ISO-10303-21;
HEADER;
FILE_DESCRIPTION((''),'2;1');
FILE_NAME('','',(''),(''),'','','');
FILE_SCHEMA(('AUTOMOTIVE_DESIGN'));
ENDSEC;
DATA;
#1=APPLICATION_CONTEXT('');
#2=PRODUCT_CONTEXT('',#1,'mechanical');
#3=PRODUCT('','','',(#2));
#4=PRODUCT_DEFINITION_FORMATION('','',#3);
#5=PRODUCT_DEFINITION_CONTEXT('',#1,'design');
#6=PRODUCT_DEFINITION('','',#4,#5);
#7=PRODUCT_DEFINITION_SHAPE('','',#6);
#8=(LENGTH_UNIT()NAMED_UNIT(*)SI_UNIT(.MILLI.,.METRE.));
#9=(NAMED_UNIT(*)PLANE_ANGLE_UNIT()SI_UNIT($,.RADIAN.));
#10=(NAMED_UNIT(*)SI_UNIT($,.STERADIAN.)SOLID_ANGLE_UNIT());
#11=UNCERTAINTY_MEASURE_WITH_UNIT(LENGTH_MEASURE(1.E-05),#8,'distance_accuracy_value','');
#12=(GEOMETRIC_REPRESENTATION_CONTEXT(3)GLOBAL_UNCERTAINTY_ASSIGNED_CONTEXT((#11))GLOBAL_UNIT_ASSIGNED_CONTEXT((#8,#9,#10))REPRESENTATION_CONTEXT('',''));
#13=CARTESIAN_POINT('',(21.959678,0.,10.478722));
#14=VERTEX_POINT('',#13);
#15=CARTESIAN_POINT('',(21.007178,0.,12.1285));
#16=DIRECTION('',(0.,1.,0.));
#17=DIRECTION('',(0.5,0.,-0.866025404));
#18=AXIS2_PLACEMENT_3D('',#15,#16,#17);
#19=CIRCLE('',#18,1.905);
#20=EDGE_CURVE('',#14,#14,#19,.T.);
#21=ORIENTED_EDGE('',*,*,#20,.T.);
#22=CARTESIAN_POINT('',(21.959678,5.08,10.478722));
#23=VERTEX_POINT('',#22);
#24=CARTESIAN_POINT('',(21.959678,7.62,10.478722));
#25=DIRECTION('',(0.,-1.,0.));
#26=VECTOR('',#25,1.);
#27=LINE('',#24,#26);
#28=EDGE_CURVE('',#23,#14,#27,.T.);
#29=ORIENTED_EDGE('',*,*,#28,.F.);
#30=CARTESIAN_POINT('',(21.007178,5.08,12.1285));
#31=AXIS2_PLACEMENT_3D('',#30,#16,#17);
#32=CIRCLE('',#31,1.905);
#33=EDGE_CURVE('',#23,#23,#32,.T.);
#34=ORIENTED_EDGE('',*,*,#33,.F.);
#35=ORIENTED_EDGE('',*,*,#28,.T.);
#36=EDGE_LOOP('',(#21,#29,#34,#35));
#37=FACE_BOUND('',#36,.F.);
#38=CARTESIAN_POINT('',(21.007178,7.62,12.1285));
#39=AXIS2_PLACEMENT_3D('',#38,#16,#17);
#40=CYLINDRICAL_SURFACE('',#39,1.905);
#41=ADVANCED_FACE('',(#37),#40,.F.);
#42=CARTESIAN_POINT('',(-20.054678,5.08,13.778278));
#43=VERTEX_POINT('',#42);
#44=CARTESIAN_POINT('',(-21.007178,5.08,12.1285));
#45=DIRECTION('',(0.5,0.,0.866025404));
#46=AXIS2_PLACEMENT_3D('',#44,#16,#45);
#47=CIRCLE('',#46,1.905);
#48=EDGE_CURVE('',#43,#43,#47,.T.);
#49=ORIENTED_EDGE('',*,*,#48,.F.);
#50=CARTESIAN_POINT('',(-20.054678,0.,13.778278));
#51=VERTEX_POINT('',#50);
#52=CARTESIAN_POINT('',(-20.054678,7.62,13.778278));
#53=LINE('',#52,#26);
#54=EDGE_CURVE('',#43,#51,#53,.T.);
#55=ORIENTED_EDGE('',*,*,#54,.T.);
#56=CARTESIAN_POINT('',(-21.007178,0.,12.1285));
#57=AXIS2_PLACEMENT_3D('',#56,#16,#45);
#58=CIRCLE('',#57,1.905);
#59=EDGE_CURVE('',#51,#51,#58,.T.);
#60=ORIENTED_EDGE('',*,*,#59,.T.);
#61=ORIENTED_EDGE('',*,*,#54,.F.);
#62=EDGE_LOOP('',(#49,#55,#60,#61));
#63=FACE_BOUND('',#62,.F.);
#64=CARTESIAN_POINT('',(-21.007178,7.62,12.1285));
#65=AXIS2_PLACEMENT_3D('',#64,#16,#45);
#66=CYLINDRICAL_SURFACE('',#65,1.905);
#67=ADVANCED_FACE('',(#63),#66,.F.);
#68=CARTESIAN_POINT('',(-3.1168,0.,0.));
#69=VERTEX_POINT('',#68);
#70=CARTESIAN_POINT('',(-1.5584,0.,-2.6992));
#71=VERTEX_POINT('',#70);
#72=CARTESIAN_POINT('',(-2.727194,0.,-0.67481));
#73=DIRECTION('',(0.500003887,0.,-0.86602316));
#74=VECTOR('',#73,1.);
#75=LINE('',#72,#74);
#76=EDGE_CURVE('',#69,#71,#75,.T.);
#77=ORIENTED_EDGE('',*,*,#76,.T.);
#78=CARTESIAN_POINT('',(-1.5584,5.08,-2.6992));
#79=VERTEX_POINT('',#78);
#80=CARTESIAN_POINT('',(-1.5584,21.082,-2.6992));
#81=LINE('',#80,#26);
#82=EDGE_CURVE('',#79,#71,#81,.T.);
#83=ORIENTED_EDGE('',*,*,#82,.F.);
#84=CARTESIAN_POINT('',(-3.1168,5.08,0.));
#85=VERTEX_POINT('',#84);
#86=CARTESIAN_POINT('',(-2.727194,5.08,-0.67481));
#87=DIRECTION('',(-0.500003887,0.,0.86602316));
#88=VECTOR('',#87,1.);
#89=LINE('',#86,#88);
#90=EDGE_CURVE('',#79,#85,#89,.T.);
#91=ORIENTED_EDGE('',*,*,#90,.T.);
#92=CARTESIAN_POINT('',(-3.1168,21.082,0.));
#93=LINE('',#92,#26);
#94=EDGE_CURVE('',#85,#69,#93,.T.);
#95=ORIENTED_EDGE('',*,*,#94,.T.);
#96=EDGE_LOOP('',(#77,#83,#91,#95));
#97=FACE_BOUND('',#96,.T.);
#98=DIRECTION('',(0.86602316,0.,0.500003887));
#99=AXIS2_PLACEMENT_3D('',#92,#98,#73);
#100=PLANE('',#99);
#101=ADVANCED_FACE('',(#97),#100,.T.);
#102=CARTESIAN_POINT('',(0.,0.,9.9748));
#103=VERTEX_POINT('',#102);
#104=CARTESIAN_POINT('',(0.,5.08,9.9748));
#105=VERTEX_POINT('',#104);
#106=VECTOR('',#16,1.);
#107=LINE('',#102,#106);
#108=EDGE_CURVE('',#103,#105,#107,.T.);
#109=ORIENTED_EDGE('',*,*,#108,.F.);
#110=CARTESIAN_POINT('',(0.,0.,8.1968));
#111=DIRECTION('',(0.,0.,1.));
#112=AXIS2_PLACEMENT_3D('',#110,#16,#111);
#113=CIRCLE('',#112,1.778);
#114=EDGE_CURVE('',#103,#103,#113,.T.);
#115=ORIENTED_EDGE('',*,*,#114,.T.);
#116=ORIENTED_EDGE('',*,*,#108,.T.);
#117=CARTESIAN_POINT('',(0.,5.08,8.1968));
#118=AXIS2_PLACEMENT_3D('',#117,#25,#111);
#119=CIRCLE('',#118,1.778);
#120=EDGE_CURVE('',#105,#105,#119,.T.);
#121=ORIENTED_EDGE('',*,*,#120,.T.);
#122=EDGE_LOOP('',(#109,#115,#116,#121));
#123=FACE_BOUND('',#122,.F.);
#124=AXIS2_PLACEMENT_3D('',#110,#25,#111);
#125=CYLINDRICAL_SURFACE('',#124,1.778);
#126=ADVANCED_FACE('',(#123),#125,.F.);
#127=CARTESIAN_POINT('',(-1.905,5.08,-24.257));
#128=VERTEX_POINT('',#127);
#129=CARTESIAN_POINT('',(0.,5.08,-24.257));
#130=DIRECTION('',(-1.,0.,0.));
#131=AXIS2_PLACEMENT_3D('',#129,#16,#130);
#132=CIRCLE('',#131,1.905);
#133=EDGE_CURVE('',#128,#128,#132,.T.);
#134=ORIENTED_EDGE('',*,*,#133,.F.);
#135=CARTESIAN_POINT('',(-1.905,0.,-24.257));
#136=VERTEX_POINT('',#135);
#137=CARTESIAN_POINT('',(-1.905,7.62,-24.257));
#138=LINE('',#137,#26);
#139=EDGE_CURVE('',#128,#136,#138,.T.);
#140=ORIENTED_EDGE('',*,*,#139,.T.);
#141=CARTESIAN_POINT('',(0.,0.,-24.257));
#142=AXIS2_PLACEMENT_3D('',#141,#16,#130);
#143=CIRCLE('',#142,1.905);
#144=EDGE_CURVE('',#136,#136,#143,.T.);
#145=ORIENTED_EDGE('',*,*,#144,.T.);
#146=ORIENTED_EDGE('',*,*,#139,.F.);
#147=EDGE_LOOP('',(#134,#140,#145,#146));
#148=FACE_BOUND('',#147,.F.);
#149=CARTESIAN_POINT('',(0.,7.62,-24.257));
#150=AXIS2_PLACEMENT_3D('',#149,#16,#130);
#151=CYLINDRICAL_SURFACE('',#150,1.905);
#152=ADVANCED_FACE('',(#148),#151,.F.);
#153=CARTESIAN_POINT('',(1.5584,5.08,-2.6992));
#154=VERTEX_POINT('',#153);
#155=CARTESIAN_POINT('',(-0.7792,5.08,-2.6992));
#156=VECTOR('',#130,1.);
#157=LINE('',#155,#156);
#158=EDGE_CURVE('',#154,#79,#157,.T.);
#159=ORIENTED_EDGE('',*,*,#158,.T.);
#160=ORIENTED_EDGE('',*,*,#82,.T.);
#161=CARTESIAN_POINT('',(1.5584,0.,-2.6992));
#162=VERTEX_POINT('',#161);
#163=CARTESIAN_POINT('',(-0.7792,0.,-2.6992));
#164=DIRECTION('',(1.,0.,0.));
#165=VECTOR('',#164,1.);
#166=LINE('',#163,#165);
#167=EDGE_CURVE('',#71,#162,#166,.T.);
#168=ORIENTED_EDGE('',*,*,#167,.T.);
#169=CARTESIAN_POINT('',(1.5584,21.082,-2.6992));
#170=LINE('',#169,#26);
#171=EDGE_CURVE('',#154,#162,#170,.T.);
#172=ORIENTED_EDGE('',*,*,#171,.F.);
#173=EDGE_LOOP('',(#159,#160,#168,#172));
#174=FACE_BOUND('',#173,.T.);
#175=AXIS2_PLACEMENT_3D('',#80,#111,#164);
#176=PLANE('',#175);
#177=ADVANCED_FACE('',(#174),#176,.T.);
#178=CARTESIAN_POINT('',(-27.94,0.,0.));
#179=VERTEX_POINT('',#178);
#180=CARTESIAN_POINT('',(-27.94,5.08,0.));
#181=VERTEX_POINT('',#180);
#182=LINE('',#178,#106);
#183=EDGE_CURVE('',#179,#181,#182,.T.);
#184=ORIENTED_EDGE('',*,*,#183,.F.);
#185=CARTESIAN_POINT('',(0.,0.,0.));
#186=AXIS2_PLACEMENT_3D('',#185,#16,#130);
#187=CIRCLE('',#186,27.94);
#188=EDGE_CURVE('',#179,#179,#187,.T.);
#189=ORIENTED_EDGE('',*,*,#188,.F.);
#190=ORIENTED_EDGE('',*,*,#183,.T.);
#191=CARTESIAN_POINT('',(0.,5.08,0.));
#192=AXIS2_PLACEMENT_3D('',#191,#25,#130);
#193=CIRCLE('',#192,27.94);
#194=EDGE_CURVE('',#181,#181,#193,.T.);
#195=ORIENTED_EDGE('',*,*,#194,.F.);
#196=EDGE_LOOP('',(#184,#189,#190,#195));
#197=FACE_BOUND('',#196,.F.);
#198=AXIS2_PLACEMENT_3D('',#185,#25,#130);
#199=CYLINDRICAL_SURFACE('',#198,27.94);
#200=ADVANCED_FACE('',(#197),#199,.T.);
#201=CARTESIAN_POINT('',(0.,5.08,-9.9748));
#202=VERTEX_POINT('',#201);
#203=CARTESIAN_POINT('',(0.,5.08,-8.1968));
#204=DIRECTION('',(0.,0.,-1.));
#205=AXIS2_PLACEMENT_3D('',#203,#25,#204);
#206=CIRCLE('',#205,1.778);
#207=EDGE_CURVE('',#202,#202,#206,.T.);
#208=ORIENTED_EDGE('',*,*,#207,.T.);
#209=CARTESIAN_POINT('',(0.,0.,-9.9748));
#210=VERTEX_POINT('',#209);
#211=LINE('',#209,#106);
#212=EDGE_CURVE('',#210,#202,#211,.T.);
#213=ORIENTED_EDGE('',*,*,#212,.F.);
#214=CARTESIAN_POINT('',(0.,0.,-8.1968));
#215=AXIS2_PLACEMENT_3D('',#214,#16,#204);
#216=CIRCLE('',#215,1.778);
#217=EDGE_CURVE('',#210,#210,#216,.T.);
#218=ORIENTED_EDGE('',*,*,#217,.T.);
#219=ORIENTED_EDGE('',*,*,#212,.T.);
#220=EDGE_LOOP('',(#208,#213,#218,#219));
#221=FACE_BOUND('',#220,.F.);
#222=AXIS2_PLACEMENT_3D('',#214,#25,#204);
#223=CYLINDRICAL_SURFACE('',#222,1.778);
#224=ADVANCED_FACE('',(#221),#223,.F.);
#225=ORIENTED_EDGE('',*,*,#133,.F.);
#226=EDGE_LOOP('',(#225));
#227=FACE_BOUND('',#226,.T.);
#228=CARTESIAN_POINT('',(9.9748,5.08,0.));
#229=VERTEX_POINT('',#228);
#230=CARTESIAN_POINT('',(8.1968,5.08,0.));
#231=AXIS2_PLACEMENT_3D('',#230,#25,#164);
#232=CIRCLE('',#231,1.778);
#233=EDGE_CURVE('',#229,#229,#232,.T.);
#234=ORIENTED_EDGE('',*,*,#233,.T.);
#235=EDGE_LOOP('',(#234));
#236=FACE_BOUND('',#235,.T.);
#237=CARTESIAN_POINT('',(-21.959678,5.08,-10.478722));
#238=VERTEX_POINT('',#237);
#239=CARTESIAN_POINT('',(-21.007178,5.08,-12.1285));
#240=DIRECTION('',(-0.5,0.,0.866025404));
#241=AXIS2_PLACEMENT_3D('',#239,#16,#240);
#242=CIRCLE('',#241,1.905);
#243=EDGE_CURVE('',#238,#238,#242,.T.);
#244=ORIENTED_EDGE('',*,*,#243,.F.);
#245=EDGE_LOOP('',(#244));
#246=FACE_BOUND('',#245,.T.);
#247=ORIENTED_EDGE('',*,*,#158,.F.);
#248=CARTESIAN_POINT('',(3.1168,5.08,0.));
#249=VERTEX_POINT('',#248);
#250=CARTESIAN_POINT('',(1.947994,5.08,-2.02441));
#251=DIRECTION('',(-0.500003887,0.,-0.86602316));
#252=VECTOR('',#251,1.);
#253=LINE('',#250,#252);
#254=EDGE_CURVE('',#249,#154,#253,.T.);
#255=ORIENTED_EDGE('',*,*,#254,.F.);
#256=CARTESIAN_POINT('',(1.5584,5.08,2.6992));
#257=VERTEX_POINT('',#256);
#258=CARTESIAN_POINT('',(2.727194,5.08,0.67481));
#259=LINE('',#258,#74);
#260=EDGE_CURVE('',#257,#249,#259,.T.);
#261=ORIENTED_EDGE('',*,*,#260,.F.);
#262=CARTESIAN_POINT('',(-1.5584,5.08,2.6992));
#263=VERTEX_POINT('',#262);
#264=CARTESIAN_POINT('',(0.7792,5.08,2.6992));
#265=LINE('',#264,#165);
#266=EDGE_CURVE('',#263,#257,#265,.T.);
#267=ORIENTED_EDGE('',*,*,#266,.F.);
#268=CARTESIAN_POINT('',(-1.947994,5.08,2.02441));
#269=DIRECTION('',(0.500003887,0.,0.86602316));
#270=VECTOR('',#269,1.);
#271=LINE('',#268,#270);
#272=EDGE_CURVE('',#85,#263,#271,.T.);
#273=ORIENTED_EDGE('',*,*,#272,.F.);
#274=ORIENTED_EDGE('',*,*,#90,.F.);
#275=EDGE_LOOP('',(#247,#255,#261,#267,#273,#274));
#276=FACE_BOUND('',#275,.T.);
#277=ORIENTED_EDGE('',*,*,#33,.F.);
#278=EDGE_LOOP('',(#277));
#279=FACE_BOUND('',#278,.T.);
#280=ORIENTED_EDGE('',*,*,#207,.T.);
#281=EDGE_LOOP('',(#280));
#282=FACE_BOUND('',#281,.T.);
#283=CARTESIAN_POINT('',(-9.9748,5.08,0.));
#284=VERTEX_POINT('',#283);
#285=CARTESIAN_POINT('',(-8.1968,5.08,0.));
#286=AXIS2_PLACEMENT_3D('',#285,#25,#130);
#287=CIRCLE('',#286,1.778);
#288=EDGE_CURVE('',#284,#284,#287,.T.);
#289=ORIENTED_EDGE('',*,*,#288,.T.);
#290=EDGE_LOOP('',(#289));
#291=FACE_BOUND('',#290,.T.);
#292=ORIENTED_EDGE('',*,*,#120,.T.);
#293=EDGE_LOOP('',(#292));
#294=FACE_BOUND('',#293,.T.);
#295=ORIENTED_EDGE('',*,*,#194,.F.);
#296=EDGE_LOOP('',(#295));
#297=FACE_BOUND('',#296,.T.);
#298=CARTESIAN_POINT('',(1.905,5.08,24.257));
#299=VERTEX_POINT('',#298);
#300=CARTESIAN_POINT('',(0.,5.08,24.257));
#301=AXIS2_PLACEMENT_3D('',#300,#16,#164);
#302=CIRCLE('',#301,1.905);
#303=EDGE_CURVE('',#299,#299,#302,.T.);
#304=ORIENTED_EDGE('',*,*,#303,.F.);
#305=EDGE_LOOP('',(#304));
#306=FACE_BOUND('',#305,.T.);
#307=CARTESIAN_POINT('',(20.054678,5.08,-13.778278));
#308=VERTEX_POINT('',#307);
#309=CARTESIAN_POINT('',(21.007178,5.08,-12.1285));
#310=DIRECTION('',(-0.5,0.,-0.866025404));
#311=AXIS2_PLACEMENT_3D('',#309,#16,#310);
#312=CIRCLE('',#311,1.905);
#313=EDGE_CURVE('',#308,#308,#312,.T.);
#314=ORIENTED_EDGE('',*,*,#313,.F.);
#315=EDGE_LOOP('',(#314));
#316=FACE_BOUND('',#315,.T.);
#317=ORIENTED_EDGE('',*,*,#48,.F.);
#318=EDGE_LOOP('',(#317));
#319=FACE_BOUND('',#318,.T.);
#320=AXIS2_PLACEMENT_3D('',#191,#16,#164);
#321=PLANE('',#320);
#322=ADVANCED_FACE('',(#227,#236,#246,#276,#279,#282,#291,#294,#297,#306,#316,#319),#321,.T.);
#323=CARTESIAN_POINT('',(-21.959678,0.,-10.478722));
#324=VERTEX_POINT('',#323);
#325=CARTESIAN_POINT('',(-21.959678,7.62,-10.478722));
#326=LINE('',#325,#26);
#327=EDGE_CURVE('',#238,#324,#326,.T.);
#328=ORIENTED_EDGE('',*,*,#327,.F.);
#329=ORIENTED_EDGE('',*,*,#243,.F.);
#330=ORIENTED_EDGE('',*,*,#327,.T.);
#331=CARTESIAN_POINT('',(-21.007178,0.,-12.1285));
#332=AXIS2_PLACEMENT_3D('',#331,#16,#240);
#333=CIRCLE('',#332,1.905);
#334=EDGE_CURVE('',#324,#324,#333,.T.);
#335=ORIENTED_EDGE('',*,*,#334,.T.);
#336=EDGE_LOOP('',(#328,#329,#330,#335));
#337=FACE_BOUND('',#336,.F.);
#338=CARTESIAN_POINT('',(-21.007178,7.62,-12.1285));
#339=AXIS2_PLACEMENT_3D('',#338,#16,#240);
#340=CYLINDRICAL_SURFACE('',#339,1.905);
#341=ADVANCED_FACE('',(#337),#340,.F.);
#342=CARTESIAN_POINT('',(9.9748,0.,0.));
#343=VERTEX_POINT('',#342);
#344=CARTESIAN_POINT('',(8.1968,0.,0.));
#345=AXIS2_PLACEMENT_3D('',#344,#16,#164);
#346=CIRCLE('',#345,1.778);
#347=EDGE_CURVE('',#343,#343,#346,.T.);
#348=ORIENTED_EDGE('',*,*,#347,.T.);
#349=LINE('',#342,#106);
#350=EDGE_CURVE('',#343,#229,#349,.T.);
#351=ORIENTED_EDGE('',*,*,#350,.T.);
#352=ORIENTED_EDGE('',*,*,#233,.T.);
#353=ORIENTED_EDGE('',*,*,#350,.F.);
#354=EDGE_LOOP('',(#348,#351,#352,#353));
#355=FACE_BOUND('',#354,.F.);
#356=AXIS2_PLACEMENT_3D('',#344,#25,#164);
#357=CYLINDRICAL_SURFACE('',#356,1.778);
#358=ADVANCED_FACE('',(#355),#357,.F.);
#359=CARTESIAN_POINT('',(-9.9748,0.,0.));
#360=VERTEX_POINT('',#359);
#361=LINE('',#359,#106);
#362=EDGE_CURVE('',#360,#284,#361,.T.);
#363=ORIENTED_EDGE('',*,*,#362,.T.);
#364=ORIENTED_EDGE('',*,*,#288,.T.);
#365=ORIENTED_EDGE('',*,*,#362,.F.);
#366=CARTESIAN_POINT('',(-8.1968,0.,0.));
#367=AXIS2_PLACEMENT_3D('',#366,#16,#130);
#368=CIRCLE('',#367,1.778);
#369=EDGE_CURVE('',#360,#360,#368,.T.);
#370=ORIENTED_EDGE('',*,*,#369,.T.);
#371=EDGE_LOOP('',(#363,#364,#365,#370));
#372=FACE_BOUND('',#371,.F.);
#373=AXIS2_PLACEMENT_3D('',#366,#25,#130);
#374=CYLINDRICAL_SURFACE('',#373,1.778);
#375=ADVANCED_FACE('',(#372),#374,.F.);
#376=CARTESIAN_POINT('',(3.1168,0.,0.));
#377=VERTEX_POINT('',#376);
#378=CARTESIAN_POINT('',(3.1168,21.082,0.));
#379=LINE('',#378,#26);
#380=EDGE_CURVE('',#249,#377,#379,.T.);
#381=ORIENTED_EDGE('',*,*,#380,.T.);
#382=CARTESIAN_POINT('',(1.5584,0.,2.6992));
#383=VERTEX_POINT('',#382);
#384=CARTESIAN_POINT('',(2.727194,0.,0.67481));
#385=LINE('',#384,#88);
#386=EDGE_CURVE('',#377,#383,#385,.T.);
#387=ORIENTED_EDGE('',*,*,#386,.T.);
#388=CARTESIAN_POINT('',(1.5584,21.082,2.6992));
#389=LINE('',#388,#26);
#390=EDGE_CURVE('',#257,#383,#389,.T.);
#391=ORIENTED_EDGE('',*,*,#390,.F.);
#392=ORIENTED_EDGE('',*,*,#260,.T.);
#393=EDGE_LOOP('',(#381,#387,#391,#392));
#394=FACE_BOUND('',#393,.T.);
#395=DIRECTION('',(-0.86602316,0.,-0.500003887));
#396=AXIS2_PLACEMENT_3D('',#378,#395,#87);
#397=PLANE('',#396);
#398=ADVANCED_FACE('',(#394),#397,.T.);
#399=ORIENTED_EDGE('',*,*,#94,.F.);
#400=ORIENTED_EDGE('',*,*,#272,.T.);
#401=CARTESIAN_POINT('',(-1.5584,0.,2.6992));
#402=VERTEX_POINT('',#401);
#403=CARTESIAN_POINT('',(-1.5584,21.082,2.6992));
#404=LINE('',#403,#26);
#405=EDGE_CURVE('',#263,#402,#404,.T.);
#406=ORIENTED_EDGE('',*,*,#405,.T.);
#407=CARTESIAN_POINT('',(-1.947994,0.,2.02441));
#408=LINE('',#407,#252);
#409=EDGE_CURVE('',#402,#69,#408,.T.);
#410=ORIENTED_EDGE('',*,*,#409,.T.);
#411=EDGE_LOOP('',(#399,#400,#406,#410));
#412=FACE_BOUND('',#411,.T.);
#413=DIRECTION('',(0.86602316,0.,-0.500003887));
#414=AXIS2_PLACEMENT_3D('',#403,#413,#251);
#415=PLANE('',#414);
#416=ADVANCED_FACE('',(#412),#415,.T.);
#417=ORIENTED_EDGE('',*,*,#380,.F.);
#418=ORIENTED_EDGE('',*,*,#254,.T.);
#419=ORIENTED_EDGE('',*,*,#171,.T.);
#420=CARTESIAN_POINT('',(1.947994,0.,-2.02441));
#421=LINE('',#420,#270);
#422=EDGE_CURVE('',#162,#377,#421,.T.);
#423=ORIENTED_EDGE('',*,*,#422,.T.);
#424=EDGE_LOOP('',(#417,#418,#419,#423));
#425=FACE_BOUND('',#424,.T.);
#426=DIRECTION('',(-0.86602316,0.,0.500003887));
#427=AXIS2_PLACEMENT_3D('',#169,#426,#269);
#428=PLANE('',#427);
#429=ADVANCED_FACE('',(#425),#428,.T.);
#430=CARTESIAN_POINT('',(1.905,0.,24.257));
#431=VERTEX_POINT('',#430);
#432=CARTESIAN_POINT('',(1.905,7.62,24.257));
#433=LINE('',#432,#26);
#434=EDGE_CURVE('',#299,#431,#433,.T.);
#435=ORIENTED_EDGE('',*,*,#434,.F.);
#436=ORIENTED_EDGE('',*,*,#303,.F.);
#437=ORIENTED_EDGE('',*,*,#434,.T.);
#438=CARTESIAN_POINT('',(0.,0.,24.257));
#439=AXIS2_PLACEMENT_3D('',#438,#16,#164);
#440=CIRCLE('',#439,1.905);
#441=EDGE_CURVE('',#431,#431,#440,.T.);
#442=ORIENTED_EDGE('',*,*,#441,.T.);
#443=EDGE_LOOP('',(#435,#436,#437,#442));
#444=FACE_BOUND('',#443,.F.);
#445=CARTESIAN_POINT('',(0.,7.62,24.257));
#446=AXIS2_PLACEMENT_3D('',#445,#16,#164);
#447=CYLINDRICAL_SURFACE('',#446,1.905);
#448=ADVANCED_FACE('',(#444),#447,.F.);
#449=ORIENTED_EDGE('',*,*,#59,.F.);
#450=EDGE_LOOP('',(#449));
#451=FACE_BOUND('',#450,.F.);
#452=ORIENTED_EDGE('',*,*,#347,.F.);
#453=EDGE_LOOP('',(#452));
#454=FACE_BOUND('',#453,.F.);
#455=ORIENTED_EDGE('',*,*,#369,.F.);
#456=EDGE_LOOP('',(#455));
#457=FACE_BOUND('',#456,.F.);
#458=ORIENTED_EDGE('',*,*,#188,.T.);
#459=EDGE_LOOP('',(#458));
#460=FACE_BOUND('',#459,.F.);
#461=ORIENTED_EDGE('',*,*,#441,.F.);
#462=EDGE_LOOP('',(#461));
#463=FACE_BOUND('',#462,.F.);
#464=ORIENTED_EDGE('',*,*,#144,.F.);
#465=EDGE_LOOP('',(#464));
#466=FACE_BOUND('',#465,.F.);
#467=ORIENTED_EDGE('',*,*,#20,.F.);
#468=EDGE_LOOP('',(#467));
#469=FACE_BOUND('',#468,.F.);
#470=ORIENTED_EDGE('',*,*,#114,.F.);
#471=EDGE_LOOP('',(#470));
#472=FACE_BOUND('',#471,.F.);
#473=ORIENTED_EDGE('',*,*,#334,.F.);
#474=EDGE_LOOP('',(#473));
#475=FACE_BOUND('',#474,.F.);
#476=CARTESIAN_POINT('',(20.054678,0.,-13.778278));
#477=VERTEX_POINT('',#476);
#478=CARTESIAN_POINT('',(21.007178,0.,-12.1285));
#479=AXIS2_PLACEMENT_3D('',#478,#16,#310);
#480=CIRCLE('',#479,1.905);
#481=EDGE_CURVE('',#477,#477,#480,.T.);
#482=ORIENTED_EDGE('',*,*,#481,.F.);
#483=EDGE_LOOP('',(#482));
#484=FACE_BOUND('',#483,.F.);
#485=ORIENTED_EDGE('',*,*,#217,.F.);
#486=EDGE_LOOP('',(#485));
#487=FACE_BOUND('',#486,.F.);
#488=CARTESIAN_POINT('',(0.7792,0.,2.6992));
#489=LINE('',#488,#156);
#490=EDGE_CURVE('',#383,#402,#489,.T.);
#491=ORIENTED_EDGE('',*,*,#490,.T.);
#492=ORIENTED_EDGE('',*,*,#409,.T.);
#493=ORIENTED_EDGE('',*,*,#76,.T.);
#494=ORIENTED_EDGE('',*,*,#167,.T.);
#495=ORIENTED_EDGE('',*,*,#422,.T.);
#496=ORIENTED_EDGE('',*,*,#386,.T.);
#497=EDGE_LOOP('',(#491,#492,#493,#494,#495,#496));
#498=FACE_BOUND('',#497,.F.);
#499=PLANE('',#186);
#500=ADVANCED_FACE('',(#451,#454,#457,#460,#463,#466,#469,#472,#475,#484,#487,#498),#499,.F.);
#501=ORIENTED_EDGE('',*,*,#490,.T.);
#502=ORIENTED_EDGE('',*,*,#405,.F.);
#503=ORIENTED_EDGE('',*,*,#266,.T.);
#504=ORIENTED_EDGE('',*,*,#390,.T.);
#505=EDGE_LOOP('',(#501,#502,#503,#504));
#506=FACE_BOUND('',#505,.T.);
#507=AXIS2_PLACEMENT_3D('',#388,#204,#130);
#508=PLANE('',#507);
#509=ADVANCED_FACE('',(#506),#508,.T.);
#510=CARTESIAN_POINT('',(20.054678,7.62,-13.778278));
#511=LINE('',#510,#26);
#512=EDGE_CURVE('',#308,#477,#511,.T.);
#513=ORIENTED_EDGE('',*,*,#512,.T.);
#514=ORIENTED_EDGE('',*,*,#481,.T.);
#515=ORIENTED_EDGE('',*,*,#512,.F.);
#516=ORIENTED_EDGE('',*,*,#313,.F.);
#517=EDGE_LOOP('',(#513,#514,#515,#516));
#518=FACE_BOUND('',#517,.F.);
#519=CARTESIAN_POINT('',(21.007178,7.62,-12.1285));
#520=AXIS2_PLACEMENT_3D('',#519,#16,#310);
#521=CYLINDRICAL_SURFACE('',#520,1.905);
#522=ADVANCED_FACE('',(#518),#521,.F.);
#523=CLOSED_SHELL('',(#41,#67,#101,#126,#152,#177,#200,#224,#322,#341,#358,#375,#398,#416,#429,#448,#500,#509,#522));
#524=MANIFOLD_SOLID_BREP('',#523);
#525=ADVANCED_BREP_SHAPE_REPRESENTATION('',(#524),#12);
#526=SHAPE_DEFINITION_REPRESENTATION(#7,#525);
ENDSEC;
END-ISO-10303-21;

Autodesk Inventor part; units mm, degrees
ref_plane "YZ Plane" through (0, 0, 0) normal (1, 0, 0) x (0, 1, 0)
sketch "Sketch1" plane through (0, 0, 0) normal (0, 1, 0) x (-1, 0, 0)
  circle A0 centre (0, 0) radius 27.94
  dimension "d0" = 55.88
extrude "Extrusion1" add sketch "Sketch1" along normal blind 7.62
ref_plane "Work Plane5" through (0, 21.082, 0) normal (0, 1, 0) x (1, 0, 0)
sketch "Sketch5" plane through (0, 21.082, 0) normal (0, 1, 0) x (1, 0, 0)
  line L0 (0, 0) -> (0, 2.667)
  line L1 (-3.1168, 0) -> (-1.5584, 2.6992)
  line L2 (-1.5584, 2.6992) -> (1.5584, 2.6992)
  line L3 (1.5584, 2.6992) -> (3.1168, 0)
  line L4 (3.1168, 0) -> (1.5584, -2.6992)
  line L5 (1.5584, -2.6992) -> (-1.5584, -2.6992)
  line L6 (-1.5584, -2.6992) -> (-3.1168, 0)
  dimension "d10" = 2.667
extrude "Extrusion4" cut sketch "Sketch5" against normal blind 25.4
sketch "Sketch6" plane through (0, 7.62, 0) normal (0, 1, 0) x (1, 0, 0)
  circle A0 centre (0, 0) radius 27.94 projected
  line L0 (0, -27.94) -> (0, -26.162)
  line L1 (0, -26.162) -> (0, -24.257)
  circle A1 centre (0, -24.257) radius 1.905
  dimension "d13" = 1.778
  dimension "d14" = 1.905
extrude "Extrusion5" cut sketch "Sketch6" against normal blind 25.4 contours A1
ref_plane "Work Plane6" through (0, 21.082, 0) normal (0, 1, 0) x (1, 0, 0)
pattern_circular "Circular Pattern1" count 6 over 360 about axis through (0, 21.082, 0) along (0, 1, 0) of "Extrusion5"
sketch "Sketch8" plane through (0, 0, 0) normal (0, -1, 0) x (1, 0, 0)
  line L0 (3.1168, 0) -> (1.5584, -2.6992) projected
  line L1 (3.1168, 0) -> (6.4188, 0)
  line L2 (6.4188, 0) -> (8.1968, 0)
  circle A0 centre (8.1968, 0) radius 1.778
  point P0 (0, 0)
  dimension "d20" = 3.302
  dimension "d21" = 1.778
extrude "Extrusion6" cut sketch "Sketch8" against normal blind 25.4
pattern_circular "Circular Pattern2" count 4 over 360 about axis through (0, 21.082, 0) along (0, 1, 0) of "Extrusion6"
sketch "Sketch10" plane through (0, 7.62, 0) normal (0, 1, 0) x (1, 0, 0)
  circle A0 centre (0, 0) radius 27.94
extrude "Extrusion8" cut sketch "Sketch10" against normal blind 2.54
properties part number "Wheel Mount"
